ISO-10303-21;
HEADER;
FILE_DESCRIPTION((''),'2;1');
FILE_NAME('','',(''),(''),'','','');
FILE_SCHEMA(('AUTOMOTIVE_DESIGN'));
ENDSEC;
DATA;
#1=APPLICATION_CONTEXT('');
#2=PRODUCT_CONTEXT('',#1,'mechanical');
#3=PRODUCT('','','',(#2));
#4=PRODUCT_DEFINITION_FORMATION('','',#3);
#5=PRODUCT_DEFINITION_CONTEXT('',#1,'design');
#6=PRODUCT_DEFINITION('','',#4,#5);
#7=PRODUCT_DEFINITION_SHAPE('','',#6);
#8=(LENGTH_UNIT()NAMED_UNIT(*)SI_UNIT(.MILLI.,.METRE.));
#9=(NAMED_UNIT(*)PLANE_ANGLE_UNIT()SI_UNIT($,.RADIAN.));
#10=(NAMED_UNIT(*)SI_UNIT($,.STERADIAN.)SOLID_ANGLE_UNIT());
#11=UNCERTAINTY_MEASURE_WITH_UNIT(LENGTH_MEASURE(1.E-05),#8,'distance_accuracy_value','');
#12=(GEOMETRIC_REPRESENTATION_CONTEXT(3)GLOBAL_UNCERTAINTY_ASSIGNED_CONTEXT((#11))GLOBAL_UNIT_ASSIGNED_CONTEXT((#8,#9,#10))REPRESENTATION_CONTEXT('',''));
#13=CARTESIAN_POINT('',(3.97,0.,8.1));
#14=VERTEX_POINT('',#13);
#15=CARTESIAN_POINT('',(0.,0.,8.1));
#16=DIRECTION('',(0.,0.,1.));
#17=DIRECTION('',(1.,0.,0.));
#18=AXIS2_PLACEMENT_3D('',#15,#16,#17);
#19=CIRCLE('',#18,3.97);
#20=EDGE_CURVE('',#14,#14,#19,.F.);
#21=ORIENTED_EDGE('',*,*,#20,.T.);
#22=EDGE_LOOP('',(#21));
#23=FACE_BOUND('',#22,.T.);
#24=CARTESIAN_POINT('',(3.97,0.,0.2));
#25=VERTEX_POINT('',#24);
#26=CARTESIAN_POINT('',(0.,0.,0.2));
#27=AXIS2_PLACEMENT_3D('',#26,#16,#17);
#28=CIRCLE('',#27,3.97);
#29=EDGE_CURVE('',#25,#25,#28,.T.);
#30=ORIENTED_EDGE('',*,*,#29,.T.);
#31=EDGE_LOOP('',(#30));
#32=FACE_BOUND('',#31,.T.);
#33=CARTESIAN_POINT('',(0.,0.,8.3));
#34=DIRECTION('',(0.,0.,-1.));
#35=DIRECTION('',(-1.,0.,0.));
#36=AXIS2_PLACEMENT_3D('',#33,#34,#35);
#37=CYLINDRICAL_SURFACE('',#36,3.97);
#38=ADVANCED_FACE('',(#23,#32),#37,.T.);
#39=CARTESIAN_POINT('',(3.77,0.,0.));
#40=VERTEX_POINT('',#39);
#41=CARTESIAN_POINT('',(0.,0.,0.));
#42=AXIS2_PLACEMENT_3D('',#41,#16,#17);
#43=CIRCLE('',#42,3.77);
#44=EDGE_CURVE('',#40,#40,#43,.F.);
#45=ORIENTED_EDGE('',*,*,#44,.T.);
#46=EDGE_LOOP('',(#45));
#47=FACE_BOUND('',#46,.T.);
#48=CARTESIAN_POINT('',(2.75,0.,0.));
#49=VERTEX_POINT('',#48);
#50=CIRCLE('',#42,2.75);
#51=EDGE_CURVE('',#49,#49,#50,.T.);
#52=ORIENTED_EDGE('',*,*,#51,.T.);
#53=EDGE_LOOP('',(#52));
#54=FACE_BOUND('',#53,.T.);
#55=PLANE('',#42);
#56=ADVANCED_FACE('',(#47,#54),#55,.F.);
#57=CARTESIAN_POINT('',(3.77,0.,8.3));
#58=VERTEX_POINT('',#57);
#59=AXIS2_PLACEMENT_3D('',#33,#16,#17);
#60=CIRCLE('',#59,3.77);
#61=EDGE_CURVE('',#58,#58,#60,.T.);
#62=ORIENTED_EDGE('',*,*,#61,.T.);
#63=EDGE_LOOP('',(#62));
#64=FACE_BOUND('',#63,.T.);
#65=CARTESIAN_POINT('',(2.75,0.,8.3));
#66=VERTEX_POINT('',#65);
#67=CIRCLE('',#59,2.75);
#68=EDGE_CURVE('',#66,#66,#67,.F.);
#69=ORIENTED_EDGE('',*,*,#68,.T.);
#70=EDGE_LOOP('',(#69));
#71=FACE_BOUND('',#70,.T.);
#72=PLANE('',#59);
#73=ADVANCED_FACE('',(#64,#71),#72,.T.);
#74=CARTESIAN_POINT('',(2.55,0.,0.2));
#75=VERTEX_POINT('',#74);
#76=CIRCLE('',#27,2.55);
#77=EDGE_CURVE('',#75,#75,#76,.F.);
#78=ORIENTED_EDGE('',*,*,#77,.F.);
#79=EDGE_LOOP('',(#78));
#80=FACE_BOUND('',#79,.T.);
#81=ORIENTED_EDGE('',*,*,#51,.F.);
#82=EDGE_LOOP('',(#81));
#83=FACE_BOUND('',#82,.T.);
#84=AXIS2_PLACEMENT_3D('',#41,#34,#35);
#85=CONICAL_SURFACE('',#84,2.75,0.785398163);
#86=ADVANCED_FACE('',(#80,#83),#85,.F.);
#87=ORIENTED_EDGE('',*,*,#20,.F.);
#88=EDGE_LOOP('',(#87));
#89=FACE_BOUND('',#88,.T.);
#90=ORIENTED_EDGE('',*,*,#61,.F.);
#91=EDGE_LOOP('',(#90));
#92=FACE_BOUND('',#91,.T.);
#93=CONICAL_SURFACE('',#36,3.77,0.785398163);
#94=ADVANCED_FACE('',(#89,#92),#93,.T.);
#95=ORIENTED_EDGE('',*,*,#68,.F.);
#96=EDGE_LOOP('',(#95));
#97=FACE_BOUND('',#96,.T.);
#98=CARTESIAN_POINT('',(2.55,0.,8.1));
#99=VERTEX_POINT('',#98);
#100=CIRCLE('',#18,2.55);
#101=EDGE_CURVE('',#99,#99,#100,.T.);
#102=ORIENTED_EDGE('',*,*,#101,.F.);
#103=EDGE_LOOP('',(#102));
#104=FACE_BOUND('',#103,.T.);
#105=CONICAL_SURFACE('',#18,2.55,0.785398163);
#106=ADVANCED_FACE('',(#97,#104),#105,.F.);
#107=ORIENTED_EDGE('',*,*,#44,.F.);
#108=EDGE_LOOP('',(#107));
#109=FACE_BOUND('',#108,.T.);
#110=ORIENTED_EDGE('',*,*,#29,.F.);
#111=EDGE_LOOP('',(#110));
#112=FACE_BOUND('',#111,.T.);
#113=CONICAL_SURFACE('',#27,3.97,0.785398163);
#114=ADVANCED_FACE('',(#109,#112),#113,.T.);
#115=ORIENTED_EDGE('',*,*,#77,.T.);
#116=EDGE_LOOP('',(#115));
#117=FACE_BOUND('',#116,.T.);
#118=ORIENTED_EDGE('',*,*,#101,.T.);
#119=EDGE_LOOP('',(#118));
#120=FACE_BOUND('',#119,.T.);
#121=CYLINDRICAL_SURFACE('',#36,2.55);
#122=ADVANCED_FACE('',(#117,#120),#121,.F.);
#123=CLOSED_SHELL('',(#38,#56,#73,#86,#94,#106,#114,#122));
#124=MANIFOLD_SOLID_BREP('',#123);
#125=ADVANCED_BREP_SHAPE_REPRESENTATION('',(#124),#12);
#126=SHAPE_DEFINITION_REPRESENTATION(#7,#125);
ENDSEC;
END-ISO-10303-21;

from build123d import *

# Parameters (mm, degrees)
SKETCH1_R           = 3.97
SKETCH1_R_2         = 2.55
BOSS_EXTRUDE1_DEPTH = 8.3
CHAMFER1_SIZE       = 0.2


with BuildPart() as part:
    # Sketch1 → Boss-Extrude1 (new body)
    with BuildSketch(Plane.XY):
        Circle(SKETCH1_R)
        Circle(SKETCH1_R_2, mode=Mode.SUBTRACT)
    extrude(amount=BOSS_EXTRUDE1_DEPTH)

    # Chamfer1
    chamfer1_edges = [part.edges().sort_by_distance(p)[0] for p in [
        (-3.97, 0, 0),
        (-3.97, 0, 8.3),
        (-2.55, 0, 0),
        (-2.55, 0, 8.3),
    ]]
    chamfer(chamfer1_edges, length=CHAMFER1_SIZE)


solid = part.part
